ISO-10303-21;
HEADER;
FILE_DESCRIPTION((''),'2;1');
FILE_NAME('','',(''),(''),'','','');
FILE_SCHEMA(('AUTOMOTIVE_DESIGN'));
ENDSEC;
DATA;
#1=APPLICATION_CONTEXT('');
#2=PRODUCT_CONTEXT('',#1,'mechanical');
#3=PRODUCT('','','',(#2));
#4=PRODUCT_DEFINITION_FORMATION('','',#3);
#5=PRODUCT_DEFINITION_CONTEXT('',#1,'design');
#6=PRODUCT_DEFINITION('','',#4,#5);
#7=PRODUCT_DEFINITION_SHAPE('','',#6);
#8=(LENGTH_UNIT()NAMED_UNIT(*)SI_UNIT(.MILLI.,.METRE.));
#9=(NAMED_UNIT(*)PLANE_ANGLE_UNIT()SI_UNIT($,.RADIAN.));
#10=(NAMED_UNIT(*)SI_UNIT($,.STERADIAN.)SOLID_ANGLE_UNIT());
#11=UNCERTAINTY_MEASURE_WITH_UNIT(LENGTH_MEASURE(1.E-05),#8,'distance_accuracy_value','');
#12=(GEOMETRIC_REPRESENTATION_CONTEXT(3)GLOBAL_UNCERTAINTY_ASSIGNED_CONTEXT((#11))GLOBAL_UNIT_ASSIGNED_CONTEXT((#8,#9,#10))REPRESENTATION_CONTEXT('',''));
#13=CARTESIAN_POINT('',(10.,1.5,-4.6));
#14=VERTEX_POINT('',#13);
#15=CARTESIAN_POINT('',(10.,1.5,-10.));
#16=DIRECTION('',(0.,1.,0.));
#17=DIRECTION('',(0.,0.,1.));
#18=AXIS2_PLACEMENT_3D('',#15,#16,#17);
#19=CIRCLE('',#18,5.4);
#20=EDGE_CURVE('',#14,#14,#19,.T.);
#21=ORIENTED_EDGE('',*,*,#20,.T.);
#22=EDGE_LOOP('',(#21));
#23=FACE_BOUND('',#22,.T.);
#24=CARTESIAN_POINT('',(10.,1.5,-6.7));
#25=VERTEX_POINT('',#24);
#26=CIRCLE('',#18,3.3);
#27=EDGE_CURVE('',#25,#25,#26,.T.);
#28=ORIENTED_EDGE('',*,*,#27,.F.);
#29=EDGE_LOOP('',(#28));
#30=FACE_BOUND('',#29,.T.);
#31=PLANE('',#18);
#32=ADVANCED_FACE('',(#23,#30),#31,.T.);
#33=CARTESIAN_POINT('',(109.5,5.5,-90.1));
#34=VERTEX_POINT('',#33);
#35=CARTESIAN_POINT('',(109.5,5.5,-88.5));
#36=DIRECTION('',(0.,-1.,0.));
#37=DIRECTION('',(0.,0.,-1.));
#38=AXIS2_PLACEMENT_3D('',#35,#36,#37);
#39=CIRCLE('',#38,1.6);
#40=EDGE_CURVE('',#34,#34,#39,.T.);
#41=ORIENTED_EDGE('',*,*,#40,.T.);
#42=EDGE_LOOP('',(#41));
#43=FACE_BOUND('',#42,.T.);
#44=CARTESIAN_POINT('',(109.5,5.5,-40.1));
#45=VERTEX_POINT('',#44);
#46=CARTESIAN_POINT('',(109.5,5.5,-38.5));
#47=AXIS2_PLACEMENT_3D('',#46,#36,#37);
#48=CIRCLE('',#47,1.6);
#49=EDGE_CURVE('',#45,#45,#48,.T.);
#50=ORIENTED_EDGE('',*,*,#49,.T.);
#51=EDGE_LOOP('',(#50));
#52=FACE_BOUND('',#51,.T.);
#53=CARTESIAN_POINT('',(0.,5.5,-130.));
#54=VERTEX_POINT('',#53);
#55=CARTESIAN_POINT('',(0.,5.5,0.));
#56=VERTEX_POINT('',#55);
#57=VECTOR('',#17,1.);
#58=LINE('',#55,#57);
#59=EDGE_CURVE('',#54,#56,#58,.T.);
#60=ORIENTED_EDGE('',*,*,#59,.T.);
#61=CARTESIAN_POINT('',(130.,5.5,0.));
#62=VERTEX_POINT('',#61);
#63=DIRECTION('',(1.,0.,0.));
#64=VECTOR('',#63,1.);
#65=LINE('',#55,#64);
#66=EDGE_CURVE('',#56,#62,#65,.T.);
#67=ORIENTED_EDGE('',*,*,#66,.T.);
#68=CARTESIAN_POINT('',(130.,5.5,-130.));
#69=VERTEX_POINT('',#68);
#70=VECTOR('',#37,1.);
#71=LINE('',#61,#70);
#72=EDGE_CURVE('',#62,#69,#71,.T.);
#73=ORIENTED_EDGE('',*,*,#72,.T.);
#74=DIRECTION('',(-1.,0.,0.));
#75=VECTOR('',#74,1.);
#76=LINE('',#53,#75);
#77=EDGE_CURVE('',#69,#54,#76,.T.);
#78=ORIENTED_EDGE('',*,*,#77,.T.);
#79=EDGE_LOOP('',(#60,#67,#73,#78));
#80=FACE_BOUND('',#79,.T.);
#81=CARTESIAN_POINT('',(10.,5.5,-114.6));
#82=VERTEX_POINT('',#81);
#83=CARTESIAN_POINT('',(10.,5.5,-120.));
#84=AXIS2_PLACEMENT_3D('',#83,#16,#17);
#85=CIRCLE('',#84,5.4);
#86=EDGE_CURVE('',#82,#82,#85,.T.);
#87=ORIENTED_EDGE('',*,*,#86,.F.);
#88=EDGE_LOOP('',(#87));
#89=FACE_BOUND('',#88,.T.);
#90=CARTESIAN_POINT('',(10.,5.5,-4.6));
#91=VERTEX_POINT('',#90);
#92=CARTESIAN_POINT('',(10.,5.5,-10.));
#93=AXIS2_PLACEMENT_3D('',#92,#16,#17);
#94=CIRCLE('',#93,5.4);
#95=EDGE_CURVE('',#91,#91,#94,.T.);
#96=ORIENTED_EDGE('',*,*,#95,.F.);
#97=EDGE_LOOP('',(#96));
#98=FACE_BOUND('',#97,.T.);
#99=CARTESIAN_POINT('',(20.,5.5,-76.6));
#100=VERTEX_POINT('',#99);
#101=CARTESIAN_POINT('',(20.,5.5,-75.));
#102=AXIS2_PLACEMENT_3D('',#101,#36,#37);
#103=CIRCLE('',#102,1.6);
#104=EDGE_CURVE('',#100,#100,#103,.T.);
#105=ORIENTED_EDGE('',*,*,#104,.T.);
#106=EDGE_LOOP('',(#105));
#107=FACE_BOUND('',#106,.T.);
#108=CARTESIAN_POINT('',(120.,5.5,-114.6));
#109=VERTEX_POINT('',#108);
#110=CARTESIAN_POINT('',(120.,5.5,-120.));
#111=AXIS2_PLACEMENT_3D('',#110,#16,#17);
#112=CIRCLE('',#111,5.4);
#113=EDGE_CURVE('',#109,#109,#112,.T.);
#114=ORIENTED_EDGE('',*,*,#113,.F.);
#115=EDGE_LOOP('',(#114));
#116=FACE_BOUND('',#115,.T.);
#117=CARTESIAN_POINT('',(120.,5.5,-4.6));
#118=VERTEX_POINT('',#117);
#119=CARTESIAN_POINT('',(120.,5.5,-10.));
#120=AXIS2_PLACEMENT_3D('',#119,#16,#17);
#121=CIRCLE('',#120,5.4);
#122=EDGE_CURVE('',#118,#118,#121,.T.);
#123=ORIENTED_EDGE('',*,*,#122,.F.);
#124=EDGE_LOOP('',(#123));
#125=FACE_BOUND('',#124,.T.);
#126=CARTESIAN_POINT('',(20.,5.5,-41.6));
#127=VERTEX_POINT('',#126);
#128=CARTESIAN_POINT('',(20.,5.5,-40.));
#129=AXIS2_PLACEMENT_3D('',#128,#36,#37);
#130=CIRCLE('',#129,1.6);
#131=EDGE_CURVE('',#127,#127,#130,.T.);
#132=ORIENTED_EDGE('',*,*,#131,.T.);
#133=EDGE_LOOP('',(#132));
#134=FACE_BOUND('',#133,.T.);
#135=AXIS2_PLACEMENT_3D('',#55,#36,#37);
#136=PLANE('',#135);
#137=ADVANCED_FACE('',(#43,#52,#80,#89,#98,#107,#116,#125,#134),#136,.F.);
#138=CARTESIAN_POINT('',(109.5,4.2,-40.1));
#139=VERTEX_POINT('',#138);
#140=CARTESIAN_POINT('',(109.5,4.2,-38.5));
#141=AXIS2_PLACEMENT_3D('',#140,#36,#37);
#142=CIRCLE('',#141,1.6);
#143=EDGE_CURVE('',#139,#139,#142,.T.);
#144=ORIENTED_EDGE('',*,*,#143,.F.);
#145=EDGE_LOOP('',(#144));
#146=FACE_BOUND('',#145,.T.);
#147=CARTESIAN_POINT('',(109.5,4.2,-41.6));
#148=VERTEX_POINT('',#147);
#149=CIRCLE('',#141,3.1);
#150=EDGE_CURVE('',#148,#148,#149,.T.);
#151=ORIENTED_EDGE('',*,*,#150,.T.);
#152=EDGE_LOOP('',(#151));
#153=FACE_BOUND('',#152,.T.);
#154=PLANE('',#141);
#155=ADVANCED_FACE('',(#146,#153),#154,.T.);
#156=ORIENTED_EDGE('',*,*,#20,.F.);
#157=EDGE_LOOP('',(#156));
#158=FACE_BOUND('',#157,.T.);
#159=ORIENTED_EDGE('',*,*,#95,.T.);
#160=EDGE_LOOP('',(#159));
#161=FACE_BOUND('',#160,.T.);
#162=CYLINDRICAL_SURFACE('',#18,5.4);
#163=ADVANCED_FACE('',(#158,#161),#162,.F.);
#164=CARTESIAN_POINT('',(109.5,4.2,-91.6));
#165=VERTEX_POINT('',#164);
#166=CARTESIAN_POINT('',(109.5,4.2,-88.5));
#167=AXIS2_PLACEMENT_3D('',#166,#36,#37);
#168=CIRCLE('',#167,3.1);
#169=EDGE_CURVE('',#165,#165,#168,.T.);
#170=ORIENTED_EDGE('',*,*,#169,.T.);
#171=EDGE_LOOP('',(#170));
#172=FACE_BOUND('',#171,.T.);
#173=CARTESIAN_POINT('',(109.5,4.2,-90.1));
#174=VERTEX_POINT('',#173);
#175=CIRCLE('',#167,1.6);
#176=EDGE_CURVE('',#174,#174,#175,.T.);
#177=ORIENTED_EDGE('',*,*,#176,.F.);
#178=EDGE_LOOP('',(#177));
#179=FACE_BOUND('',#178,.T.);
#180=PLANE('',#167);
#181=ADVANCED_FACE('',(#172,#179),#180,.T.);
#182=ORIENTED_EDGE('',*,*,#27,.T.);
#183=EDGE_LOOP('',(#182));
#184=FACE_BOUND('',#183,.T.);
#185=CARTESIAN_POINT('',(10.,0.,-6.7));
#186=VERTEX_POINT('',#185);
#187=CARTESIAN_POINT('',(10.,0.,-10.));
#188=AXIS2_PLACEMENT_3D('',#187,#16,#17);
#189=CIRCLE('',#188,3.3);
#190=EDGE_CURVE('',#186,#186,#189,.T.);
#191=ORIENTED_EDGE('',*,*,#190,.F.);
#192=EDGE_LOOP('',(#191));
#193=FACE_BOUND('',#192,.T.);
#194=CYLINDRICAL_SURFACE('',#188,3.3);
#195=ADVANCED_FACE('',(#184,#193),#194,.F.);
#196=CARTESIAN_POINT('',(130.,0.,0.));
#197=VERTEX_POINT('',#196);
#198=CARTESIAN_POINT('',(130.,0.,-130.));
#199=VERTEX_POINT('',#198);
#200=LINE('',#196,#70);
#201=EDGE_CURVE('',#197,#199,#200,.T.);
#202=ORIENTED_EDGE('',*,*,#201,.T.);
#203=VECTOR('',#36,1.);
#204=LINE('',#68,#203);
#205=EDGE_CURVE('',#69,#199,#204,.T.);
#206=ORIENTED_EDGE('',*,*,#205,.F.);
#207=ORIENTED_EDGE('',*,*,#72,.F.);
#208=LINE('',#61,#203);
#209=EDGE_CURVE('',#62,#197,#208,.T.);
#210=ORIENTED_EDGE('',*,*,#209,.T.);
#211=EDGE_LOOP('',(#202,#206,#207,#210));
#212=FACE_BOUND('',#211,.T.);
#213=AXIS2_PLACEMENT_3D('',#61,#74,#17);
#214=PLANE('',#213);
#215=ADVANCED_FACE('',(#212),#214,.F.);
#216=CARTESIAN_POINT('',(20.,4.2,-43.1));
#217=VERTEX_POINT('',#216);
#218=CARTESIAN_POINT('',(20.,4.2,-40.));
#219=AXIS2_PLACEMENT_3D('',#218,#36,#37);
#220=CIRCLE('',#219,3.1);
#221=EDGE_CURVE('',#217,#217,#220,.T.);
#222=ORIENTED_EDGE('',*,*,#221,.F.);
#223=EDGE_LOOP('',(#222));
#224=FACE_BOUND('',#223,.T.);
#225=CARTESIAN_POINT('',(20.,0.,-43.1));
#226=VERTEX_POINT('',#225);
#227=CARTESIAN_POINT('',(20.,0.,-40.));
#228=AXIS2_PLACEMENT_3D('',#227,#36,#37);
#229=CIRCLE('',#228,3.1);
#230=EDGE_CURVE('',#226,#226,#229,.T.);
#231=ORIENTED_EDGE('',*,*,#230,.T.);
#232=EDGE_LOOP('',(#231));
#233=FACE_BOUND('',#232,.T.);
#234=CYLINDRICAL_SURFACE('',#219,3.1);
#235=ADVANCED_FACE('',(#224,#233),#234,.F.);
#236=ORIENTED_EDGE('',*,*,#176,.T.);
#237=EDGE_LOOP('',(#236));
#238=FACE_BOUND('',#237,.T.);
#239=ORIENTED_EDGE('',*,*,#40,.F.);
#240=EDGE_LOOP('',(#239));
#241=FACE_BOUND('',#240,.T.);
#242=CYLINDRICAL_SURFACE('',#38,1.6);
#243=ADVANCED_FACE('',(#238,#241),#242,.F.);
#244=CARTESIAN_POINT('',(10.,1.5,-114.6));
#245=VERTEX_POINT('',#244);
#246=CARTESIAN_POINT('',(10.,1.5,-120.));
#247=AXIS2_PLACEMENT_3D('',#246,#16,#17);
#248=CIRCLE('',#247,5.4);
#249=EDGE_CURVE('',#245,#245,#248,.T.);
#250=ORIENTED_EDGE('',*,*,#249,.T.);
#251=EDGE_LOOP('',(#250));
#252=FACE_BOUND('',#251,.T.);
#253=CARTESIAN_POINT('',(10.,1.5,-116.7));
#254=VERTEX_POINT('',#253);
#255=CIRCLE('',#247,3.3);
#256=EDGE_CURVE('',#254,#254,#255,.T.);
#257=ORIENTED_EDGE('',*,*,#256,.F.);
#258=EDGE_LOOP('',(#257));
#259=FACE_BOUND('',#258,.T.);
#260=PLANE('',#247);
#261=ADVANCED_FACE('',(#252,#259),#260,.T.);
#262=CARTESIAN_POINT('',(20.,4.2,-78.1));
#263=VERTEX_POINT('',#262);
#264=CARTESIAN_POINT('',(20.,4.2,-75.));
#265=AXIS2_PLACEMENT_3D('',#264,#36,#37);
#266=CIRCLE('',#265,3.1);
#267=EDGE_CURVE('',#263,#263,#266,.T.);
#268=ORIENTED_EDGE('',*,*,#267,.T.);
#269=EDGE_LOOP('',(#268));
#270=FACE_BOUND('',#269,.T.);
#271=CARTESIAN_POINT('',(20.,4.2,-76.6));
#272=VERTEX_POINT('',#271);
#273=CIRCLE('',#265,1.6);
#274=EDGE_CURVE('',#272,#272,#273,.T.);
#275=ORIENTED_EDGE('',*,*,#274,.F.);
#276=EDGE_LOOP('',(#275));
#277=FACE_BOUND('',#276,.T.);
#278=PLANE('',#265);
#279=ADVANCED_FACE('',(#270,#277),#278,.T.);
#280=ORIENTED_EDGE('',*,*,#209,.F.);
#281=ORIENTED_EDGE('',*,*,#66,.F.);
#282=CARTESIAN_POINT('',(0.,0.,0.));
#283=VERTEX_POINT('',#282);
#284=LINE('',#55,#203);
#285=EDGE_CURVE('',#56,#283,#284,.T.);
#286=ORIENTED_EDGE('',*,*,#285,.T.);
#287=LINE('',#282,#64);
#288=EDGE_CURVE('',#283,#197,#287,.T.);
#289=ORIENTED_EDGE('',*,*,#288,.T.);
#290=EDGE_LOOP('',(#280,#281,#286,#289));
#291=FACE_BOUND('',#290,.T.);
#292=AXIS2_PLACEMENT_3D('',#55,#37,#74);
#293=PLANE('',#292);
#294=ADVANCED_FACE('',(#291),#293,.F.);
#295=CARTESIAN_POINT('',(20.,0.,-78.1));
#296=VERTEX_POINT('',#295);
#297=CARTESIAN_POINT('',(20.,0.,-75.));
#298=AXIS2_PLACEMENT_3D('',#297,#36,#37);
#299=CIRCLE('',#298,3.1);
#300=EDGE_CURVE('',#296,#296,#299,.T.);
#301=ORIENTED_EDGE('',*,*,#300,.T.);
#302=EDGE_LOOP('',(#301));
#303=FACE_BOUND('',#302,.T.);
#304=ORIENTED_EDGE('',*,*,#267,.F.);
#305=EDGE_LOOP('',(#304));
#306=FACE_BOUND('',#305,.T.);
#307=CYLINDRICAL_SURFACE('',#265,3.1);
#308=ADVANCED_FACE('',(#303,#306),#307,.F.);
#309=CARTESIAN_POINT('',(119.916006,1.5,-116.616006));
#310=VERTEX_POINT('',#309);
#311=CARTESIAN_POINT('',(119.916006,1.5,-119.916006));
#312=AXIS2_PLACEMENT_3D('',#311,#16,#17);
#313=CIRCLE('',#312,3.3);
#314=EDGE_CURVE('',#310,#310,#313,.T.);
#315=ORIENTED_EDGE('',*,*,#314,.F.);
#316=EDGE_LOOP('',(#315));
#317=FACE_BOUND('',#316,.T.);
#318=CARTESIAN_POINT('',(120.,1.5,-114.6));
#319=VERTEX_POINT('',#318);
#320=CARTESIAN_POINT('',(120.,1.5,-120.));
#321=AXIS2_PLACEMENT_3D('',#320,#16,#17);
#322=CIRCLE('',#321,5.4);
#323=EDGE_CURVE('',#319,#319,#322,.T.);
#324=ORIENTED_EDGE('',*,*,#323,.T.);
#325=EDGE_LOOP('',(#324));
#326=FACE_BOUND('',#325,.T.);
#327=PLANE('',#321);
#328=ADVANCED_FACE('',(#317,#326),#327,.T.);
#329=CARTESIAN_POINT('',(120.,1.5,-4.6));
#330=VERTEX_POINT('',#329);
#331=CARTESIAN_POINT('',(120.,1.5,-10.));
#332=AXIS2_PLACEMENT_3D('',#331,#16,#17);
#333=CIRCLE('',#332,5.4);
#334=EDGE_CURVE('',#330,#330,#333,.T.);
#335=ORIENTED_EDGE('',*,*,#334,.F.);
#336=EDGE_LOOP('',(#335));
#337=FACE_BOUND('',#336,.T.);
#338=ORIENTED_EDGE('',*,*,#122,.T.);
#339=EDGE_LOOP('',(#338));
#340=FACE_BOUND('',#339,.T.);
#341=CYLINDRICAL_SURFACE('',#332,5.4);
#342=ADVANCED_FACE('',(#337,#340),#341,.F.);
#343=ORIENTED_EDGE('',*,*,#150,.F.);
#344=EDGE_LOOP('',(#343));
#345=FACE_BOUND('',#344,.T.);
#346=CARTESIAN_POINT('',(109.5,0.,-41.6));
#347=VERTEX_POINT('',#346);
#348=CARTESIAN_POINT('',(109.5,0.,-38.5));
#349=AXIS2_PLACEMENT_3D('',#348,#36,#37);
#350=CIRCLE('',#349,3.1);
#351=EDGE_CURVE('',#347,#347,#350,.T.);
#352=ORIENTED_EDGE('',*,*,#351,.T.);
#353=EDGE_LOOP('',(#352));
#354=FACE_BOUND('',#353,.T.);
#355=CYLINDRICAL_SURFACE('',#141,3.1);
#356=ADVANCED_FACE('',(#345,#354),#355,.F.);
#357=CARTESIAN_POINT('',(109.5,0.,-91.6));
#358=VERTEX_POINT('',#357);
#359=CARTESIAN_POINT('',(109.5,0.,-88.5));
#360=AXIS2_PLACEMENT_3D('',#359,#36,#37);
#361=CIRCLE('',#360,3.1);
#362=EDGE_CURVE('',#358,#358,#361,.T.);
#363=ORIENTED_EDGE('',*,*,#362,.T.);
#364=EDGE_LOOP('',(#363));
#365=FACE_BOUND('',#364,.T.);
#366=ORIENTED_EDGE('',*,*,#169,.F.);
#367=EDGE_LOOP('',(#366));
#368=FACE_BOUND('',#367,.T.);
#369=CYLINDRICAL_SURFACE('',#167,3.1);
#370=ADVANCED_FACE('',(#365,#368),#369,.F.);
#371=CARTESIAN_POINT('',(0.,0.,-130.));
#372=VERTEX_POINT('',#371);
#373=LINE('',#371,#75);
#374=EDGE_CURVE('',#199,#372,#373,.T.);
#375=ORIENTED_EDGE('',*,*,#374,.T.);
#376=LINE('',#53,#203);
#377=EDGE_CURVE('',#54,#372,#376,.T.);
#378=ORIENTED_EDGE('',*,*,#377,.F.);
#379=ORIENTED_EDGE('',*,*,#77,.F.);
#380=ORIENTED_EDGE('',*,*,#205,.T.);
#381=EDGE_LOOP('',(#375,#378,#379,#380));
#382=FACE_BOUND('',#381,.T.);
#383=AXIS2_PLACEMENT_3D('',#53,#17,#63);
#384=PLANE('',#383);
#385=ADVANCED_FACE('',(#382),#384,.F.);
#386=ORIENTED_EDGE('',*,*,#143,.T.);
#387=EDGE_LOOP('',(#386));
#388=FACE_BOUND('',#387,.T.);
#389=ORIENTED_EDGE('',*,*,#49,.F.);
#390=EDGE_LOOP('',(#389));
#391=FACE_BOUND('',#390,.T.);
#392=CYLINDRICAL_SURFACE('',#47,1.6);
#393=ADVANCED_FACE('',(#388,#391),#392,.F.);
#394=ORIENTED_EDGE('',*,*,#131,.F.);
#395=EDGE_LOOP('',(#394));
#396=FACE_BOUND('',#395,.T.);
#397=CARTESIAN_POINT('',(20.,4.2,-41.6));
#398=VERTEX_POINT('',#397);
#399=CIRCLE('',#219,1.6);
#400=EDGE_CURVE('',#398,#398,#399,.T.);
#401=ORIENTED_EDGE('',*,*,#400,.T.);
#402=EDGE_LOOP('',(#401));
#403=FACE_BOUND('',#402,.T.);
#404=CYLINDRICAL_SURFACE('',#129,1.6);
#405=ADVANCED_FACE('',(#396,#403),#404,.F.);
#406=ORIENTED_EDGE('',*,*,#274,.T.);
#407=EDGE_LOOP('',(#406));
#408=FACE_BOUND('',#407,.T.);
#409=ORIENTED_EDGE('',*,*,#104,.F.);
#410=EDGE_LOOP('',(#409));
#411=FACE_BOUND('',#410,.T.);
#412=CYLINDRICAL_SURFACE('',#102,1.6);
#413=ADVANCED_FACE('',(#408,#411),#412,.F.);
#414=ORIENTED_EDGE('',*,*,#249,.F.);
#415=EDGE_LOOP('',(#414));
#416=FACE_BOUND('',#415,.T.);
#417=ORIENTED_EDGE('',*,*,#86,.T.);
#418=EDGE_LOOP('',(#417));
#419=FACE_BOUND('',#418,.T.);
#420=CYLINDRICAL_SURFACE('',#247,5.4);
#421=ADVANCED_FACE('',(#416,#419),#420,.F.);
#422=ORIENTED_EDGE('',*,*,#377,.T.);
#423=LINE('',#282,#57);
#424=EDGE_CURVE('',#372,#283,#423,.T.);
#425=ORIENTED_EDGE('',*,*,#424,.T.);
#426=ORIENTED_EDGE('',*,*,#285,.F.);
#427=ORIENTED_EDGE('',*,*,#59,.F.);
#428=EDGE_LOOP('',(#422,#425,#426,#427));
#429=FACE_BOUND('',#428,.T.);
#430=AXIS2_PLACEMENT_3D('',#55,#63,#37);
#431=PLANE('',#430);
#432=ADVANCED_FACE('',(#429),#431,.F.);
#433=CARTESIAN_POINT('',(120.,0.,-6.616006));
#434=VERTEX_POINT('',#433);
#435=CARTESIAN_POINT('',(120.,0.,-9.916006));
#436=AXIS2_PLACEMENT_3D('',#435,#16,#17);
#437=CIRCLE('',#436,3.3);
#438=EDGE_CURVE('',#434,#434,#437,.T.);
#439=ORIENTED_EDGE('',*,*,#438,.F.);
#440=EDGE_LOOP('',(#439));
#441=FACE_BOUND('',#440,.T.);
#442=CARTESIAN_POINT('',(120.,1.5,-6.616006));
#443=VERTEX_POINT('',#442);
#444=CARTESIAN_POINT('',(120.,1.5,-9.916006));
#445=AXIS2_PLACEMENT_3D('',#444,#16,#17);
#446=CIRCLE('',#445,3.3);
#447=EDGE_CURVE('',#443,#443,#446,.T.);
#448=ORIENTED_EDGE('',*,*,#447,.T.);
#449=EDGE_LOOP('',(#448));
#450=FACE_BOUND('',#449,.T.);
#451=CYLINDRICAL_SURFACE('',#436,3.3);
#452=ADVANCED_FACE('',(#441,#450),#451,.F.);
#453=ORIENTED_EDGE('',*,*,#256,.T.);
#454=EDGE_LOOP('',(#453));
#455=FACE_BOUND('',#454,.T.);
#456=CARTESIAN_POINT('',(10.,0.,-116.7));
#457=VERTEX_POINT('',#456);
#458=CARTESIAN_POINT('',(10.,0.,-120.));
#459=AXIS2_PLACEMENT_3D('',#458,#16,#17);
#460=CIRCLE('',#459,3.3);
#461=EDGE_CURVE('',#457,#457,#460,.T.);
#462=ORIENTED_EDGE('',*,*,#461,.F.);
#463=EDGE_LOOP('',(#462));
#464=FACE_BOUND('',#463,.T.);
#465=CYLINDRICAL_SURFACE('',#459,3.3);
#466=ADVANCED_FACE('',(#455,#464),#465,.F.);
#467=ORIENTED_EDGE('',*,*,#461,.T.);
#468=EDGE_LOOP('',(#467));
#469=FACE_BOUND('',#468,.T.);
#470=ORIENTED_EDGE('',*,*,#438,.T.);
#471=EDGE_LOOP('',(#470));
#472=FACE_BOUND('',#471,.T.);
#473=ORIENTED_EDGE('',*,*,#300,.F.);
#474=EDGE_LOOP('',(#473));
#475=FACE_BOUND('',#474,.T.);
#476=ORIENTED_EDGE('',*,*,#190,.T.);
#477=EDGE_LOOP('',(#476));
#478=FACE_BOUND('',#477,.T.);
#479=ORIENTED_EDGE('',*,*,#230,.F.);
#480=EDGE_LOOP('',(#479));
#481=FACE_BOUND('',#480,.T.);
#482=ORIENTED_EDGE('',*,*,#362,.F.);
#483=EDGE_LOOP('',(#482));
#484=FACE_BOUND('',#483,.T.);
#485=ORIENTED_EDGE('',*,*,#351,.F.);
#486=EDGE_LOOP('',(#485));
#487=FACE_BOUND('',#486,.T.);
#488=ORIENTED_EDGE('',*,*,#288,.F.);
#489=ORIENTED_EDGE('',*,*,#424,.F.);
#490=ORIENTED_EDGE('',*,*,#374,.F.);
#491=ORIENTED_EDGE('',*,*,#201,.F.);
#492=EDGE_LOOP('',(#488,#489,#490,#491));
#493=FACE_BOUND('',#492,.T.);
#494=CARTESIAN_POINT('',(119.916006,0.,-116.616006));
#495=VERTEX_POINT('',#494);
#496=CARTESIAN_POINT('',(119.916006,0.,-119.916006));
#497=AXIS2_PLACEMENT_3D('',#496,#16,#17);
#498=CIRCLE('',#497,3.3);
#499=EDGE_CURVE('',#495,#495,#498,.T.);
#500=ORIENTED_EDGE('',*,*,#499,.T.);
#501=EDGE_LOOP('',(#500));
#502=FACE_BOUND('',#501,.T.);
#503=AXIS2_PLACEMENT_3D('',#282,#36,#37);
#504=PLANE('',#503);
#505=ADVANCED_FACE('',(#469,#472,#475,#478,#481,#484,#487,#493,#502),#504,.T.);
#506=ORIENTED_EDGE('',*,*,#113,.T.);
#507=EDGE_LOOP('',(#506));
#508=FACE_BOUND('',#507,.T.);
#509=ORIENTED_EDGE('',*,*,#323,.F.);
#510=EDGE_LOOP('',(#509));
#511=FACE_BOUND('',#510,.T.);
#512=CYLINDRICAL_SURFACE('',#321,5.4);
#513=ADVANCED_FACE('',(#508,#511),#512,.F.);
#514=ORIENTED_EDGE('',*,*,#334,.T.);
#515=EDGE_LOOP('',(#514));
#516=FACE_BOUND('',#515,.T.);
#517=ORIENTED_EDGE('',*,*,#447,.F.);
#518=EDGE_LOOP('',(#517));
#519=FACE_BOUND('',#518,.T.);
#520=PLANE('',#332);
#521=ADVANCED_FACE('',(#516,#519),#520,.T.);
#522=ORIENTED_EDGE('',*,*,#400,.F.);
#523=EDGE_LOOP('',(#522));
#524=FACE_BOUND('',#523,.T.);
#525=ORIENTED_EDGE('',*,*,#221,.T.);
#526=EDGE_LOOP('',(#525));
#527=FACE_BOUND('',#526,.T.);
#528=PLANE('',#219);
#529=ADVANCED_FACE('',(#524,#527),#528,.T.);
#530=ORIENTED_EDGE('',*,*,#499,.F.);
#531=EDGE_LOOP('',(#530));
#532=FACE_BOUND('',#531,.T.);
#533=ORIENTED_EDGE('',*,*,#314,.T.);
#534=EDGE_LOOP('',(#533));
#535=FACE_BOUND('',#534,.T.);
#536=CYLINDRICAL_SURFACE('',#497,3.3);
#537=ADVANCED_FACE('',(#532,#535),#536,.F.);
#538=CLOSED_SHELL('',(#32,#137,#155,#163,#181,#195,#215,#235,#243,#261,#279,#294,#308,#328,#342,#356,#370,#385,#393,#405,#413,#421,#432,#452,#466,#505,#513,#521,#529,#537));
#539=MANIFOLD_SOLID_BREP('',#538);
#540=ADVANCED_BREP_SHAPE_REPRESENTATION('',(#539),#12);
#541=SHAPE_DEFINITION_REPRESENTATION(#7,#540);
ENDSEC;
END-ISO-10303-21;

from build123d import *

# Parameters (mm, degrees)
SKETCH_1_W           = 130
SKETCH_1_H           = 130
EXTRUDE_1_DEPTH      = 5.5
SKETCH_4_R           = 5.4
CUT_EXTRUDE_7_DEPTH  = 4
SKETCH_6_R           = 3.3
CUT_EXTRUDE_8_DEPTH  = 1.5
SKETCH_7_R           = 3.1
CUT_EXTRUDE_9_DEPTH  = 4.2
SKETCH_8_R           = 1.6
CUT_EXTRUDE_10_DEPTH = 2.3


with BuildPart() as part:
    # 草图1 → 凸台-拉伸1 (new body)
    with BuildSketch(Plane(origin=(0, 0, 0), x_dir=(1, 0, 0), z_dir=(0, 1, 0))):
        with Locations((65, 65)):
            Rectangle(SKETCH_1_W, SKETCH_1_H)
    extrude(amount=EXTRUDE_1_DEPTH)

    # 草图4 → 切除-拉伸7 (cut)
    with BuildSketch(Plane(origin=(0, 5.5, 0), x_dir=(1, 0, 0), z_dir=(0, 1, 0))):
        with Locations((10, 120)):
            Circle(SKETCH_4_R)
        with Locations((120, 120)):
            Circle(SKETCH_4_R)
        with Locations((10, 10)):
            Circle(SKETCH_4_R)
        with Locations((120, 10)):
            Circle(SKETCH_4_R)
    extrude(amount=-CUT_EXTRUDE_7_DEPTH, mode=Mode.SUBTRACT)

    # 草图6 → 切除-拉伸8 (cut)
    with BuildSketch(Plane(origin=(0, 1.5, 0), x_dir=(1, 0, 0), z_dir=(0, 1, 0))):
        with Locations((10, 120)):
            Circle(SKETCH_6_R)
        with Locations((119.916006429, 119.916006429)):
            Circle(SKETCH_6_R)
        with Locations((10, 10)):
            Circle(SKETCH_6_R)
        with Locations((120, 9.916006429)):
            Circle(SKETCH_6_R)
    extrude(amount=-CUT_EXTRUDE_8_DEPTH, mode=Mode.SUBTRACT)

    # 草图7 → 切除-拉伸9 (cut)
    with BuildSketch(Plane.XZ):
        with Locations((20, -40)):
            Circle(SKETCH_7_R)
        with Locations((20, -75)):
            Circle(SKETCH_7_R)
        with Locations((109.5, -38.5)):
            Circle(SKETCH_7_R)
        with Locations((109.5, -88.5)):
            Circle(SKETCH_7_R)
    extrude(amount=-CUT_EXTRUDE_9_DEPTH, mode=Mode.SUBTRACT)

    # 草图8 → 切除-拉伸10 (cut, through all)
    with BuildSketch(Plane.XZ.offset(-4.2)):
        with Locations((20, -40)):
            Circle(SKETCH_8_R)
        with Locations((20, -75)):
            Circle(SKETCH_8_R)
        with Locations((109.5, -38.5)):
            Circle(SKETCH_8_R)
        with Locations((109.5, -88.5)):
            Circle(SKETCH_8_R)
    extrude(amount=-CUT_EXTRUDE_10_DEPTH, mode=Mode.SUBTRACT)


solid = part.part
